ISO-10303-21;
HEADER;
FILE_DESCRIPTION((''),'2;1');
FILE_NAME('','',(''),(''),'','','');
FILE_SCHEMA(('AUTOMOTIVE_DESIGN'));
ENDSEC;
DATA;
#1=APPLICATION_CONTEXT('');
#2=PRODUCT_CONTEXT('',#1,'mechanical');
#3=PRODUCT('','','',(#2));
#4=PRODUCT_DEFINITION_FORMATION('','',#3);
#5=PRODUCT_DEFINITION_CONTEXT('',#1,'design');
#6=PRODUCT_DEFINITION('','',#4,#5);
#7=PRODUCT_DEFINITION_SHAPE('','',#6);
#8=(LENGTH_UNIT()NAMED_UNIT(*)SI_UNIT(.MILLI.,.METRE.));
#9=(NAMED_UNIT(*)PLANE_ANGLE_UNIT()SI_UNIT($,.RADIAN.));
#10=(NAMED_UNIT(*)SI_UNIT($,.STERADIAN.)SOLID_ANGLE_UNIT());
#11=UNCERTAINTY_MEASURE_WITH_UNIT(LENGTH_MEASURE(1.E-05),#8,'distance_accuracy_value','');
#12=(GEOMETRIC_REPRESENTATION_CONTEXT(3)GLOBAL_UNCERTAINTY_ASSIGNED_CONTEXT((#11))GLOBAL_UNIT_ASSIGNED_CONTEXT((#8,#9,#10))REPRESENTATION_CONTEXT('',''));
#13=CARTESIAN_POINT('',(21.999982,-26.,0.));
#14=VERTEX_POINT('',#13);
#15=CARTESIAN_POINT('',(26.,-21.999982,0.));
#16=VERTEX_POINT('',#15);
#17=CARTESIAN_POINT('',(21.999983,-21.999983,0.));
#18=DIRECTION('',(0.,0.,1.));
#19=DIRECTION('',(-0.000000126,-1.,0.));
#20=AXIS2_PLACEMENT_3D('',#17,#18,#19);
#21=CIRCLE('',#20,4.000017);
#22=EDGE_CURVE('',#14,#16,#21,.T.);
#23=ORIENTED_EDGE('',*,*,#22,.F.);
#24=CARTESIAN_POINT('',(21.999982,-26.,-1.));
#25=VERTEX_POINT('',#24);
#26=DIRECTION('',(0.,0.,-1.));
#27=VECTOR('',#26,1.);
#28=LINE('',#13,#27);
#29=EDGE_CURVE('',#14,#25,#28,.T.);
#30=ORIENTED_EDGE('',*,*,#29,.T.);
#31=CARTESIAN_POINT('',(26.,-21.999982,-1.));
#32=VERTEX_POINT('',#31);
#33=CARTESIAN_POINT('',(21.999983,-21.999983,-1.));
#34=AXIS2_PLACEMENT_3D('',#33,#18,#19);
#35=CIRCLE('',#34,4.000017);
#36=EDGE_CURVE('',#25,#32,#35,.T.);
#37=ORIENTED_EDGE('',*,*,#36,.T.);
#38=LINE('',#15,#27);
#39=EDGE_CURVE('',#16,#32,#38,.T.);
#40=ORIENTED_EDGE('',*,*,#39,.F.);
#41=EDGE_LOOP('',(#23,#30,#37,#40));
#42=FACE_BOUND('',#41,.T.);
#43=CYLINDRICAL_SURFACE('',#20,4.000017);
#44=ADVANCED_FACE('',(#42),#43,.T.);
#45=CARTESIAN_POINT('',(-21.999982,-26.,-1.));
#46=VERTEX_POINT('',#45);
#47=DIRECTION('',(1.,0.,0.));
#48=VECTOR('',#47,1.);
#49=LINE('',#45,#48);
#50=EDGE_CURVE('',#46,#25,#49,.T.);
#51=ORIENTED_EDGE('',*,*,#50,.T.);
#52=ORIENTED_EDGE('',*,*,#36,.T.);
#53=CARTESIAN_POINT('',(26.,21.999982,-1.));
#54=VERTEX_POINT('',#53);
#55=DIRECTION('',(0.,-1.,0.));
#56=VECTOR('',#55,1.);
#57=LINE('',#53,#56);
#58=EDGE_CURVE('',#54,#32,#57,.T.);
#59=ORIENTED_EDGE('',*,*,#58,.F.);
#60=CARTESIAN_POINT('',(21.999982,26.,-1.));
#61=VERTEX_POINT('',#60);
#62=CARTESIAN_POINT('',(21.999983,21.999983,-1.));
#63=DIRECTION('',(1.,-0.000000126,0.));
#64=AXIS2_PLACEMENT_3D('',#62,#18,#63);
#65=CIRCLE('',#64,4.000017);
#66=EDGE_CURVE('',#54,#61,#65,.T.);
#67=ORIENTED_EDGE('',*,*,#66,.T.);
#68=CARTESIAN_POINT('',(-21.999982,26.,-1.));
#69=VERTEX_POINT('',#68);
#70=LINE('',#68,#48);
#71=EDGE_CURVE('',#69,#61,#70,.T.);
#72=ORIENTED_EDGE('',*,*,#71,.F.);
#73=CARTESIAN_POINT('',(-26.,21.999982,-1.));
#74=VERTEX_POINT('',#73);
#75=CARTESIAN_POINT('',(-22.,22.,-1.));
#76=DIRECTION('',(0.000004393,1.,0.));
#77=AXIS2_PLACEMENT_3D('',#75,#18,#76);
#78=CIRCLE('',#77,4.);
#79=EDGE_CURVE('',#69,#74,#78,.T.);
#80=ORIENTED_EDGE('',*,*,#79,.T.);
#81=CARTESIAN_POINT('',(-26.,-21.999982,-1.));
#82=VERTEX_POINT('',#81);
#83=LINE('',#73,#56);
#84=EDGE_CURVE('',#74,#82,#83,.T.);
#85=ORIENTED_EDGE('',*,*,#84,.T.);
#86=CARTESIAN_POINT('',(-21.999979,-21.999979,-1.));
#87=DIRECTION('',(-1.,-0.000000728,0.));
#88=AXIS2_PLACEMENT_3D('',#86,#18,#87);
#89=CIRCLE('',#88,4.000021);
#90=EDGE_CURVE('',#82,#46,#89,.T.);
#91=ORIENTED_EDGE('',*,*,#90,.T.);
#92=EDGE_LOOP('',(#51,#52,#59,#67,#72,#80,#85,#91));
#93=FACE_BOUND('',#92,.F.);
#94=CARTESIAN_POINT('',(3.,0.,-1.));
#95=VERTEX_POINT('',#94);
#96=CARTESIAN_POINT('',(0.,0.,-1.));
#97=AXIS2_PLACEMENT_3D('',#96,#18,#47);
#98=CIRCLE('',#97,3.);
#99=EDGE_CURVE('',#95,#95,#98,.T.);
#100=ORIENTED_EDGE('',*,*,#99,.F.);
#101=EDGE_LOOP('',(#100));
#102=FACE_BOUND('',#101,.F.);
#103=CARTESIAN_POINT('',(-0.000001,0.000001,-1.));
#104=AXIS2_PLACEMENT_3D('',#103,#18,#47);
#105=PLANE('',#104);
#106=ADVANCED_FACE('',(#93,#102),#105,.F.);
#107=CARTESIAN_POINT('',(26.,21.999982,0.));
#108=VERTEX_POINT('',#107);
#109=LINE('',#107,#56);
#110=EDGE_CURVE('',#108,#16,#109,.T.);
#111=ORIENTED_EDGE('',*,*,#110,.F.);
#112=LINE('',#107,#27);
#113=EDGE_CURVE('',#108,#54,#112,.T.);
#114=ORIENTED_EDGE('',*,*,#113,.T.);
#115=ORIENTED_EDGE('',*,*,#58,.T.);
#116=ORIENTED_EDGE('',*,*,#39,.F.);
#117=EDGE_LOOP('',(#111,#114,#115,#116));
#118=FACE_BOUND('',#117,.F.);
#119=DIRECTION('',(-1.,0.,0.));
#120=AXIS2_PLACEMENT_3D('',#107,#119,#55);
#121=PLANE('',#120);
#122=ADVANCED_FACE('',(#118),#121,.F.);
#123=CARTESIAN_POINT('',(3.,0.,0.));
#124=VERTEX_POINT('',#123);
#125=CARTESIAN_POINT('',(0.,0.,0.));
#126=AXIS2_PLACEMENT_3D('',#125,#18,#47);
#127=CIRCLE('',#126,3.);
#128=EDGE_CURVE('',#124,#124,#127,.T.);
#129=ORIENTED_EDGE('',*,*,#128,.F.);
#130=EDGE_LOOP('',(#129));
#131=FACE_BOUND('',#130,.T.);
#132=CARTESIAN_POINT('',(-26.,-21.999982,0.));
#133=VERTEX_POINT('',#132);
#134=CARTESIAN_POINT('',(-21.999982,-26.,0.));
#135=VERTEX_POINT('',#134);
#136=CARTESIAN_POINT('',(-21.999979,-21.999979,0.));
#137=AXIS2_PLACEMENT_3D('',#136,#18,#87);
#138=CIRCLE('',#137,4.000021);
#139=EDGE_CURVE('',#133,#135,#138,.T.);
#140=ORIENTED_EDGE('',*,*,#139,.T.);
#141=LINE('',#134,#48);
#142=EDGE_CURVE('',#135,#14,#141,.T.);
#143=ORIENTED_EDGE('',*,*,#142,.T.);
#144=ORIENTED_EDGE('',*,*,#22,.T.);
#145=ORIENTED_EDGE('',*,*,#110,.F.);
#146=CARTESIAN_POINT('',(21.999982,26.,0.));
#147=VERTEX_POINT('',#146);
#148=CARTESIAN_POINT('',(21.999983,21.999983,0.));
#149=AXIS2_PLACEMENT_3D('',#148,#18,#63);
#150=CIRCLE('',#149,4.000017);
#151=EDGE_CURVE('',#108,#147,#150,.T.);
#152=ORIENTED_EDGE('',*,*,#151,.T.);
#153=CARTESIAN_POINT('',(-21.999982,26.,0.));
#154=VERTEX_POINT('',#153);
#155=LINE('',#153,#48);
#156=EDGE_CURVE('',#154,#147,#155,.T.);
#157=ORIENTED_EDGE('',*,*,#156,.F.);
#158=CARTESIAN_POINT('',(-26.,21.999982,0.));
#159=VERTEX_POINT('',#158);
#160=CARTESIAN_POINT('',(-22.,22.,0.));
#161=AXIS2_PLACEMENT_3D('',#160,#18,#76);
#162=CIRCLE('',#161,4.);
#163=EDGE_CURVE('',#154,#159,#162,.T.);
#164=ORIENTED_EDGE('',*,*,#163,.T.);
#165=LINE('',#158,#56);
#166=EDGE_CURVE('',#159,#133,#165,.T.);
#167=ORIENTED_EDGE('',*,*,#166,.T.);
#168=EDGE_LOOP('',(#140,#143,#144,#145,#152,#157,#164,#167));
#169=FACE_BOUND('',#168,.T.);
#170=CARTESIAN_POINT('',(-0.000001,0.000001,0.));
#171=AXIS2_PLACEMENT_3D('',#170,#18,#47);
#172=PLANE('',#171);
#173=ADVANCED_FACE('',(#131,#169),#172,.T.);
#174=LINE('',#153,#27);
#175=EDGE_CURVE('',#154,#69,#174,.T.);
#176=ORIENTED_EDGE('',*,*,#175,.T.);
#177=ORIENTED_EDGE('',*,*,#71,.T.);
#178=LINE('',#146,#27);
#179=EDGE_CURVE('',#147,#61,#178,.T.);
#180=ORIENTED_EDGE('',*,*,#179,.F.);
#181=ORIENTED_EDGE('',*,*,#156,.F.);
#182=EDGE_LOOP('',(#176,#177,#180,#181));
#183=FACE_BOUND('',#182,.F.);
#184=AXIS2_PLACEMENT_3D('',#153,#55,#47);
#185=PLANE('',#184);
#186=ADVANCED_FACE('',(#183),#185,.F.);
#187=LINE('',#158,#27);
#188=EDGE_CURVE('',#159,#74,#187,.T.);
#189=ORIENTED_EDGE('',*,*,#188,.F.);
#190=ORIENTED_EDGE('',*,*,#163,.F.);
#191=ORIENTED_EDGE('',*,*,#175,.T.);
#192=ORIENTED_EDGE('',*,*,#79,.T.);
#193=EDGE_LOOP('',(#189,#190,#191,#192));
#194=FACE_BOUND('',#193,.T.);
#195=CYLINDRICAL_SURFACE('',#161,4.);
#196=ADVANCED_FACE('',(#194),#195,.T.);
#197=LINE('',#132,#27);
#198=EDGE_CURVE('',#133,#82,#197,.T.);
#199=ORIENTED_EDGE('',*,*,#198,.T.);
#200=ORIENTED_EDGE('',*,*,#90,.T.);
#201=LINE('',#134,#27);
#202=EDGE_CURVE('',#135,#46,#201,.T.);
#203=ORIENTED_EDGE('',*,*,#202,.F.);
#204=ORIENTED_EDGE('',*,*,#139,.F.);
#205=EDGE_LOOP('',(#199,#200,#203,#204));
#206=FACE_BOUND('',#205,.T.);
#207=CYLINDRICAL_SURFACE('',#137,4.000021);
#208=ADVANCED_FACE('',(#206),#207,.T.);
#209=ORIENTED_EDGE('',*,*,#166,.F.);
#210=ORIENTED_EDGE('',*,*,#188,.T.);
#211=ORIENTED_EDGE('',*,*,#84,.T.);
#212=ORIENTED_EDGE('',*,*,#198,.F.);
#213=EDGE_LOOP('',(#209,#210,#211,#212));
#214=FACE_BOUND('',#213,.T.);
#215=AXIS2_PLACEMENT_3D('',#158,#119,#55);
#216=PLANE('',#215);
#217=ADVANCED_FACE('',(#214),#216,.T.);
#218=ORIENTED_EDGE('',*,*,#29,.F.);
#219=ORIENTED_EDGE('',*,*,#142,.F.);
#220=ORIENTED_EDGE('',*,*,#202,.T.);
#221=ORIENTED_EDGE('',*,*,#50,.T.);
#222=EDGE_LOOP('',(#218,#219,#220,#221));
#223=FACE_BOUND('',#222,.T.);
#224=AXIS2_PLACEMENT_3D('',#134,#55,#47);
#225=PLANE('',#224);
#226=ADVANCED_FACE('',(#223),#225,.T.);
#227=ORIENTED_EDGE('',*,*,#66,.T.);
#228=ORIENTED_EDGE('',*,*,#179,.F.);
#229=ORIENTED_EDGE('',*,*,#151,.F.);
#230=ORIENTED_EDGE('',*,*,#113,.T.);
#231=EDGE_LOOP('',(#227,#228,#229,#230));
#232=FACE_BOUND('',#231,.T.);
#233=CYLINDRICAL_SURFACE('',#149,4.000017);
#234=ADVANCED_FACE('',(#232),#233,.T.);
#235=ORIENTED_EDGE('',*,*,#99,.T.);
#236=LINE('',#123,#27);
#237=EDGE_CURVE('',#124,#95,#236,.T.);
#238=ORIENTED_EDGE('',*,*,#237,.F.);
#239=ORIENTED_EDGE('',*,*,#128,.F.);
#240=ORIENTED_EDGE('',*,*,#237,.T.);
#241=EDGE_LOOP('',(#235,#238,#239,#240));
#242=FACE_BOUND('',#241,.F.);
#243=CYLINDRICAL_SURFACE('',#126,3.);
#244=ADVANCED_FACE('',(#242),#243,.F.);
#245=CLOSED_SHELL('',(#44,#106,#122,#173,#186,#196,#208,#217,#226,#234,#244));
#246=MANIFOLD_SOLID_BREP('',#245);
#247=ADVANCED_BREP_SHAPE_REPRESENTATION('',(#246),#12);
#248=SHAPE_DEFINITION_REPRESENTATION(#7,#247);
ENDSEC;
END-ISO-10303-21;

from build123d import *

# Parameters (mm, degrees)
PAD_DEPTH    = 1
SKETCH001_R  = 3
POCKET_DEPTH = 1.001


with BuildPart() as part:
    # Sketch → Pad (new body)
    with BuildSketch(Plane.XY):
        with BuildLine():
            Line((-26, 21.999982), (-26, -21.999982))
            ThreePointArc((-26, -21.999982), (-24.828421, -24.828421), (-21.999982, -26))
            Line((-21.999982, -26), (21.999982, -26))
            ThreePointArc((21.999982, -26), (24.828422, -24.828422), (26, -21.999982))
            Line((26, 21.999982), (26, -21.999982))
            ThreePointArc((26, 21.999982), (24.828422, 24.828422), (21.999982, 26))
            Line((-21.999982, 26), (21.999982, 26))
            ThreePointArc((-21.999982, 26), (-24.828427, 24.828427), (-26, 21.999982))
        make_face()
    extrude(amount=-PAD_DEPTH)

    # Sketch001 (on Face9 of Pad) → Pocket (cut, through all)
    with BuildSketch(Plane.XY):
        Circle(SKETCH001_R)
    extrude(amount=-POCKET_DEPTH, mode=Mode.SUBTRACT)


solid = part.part
